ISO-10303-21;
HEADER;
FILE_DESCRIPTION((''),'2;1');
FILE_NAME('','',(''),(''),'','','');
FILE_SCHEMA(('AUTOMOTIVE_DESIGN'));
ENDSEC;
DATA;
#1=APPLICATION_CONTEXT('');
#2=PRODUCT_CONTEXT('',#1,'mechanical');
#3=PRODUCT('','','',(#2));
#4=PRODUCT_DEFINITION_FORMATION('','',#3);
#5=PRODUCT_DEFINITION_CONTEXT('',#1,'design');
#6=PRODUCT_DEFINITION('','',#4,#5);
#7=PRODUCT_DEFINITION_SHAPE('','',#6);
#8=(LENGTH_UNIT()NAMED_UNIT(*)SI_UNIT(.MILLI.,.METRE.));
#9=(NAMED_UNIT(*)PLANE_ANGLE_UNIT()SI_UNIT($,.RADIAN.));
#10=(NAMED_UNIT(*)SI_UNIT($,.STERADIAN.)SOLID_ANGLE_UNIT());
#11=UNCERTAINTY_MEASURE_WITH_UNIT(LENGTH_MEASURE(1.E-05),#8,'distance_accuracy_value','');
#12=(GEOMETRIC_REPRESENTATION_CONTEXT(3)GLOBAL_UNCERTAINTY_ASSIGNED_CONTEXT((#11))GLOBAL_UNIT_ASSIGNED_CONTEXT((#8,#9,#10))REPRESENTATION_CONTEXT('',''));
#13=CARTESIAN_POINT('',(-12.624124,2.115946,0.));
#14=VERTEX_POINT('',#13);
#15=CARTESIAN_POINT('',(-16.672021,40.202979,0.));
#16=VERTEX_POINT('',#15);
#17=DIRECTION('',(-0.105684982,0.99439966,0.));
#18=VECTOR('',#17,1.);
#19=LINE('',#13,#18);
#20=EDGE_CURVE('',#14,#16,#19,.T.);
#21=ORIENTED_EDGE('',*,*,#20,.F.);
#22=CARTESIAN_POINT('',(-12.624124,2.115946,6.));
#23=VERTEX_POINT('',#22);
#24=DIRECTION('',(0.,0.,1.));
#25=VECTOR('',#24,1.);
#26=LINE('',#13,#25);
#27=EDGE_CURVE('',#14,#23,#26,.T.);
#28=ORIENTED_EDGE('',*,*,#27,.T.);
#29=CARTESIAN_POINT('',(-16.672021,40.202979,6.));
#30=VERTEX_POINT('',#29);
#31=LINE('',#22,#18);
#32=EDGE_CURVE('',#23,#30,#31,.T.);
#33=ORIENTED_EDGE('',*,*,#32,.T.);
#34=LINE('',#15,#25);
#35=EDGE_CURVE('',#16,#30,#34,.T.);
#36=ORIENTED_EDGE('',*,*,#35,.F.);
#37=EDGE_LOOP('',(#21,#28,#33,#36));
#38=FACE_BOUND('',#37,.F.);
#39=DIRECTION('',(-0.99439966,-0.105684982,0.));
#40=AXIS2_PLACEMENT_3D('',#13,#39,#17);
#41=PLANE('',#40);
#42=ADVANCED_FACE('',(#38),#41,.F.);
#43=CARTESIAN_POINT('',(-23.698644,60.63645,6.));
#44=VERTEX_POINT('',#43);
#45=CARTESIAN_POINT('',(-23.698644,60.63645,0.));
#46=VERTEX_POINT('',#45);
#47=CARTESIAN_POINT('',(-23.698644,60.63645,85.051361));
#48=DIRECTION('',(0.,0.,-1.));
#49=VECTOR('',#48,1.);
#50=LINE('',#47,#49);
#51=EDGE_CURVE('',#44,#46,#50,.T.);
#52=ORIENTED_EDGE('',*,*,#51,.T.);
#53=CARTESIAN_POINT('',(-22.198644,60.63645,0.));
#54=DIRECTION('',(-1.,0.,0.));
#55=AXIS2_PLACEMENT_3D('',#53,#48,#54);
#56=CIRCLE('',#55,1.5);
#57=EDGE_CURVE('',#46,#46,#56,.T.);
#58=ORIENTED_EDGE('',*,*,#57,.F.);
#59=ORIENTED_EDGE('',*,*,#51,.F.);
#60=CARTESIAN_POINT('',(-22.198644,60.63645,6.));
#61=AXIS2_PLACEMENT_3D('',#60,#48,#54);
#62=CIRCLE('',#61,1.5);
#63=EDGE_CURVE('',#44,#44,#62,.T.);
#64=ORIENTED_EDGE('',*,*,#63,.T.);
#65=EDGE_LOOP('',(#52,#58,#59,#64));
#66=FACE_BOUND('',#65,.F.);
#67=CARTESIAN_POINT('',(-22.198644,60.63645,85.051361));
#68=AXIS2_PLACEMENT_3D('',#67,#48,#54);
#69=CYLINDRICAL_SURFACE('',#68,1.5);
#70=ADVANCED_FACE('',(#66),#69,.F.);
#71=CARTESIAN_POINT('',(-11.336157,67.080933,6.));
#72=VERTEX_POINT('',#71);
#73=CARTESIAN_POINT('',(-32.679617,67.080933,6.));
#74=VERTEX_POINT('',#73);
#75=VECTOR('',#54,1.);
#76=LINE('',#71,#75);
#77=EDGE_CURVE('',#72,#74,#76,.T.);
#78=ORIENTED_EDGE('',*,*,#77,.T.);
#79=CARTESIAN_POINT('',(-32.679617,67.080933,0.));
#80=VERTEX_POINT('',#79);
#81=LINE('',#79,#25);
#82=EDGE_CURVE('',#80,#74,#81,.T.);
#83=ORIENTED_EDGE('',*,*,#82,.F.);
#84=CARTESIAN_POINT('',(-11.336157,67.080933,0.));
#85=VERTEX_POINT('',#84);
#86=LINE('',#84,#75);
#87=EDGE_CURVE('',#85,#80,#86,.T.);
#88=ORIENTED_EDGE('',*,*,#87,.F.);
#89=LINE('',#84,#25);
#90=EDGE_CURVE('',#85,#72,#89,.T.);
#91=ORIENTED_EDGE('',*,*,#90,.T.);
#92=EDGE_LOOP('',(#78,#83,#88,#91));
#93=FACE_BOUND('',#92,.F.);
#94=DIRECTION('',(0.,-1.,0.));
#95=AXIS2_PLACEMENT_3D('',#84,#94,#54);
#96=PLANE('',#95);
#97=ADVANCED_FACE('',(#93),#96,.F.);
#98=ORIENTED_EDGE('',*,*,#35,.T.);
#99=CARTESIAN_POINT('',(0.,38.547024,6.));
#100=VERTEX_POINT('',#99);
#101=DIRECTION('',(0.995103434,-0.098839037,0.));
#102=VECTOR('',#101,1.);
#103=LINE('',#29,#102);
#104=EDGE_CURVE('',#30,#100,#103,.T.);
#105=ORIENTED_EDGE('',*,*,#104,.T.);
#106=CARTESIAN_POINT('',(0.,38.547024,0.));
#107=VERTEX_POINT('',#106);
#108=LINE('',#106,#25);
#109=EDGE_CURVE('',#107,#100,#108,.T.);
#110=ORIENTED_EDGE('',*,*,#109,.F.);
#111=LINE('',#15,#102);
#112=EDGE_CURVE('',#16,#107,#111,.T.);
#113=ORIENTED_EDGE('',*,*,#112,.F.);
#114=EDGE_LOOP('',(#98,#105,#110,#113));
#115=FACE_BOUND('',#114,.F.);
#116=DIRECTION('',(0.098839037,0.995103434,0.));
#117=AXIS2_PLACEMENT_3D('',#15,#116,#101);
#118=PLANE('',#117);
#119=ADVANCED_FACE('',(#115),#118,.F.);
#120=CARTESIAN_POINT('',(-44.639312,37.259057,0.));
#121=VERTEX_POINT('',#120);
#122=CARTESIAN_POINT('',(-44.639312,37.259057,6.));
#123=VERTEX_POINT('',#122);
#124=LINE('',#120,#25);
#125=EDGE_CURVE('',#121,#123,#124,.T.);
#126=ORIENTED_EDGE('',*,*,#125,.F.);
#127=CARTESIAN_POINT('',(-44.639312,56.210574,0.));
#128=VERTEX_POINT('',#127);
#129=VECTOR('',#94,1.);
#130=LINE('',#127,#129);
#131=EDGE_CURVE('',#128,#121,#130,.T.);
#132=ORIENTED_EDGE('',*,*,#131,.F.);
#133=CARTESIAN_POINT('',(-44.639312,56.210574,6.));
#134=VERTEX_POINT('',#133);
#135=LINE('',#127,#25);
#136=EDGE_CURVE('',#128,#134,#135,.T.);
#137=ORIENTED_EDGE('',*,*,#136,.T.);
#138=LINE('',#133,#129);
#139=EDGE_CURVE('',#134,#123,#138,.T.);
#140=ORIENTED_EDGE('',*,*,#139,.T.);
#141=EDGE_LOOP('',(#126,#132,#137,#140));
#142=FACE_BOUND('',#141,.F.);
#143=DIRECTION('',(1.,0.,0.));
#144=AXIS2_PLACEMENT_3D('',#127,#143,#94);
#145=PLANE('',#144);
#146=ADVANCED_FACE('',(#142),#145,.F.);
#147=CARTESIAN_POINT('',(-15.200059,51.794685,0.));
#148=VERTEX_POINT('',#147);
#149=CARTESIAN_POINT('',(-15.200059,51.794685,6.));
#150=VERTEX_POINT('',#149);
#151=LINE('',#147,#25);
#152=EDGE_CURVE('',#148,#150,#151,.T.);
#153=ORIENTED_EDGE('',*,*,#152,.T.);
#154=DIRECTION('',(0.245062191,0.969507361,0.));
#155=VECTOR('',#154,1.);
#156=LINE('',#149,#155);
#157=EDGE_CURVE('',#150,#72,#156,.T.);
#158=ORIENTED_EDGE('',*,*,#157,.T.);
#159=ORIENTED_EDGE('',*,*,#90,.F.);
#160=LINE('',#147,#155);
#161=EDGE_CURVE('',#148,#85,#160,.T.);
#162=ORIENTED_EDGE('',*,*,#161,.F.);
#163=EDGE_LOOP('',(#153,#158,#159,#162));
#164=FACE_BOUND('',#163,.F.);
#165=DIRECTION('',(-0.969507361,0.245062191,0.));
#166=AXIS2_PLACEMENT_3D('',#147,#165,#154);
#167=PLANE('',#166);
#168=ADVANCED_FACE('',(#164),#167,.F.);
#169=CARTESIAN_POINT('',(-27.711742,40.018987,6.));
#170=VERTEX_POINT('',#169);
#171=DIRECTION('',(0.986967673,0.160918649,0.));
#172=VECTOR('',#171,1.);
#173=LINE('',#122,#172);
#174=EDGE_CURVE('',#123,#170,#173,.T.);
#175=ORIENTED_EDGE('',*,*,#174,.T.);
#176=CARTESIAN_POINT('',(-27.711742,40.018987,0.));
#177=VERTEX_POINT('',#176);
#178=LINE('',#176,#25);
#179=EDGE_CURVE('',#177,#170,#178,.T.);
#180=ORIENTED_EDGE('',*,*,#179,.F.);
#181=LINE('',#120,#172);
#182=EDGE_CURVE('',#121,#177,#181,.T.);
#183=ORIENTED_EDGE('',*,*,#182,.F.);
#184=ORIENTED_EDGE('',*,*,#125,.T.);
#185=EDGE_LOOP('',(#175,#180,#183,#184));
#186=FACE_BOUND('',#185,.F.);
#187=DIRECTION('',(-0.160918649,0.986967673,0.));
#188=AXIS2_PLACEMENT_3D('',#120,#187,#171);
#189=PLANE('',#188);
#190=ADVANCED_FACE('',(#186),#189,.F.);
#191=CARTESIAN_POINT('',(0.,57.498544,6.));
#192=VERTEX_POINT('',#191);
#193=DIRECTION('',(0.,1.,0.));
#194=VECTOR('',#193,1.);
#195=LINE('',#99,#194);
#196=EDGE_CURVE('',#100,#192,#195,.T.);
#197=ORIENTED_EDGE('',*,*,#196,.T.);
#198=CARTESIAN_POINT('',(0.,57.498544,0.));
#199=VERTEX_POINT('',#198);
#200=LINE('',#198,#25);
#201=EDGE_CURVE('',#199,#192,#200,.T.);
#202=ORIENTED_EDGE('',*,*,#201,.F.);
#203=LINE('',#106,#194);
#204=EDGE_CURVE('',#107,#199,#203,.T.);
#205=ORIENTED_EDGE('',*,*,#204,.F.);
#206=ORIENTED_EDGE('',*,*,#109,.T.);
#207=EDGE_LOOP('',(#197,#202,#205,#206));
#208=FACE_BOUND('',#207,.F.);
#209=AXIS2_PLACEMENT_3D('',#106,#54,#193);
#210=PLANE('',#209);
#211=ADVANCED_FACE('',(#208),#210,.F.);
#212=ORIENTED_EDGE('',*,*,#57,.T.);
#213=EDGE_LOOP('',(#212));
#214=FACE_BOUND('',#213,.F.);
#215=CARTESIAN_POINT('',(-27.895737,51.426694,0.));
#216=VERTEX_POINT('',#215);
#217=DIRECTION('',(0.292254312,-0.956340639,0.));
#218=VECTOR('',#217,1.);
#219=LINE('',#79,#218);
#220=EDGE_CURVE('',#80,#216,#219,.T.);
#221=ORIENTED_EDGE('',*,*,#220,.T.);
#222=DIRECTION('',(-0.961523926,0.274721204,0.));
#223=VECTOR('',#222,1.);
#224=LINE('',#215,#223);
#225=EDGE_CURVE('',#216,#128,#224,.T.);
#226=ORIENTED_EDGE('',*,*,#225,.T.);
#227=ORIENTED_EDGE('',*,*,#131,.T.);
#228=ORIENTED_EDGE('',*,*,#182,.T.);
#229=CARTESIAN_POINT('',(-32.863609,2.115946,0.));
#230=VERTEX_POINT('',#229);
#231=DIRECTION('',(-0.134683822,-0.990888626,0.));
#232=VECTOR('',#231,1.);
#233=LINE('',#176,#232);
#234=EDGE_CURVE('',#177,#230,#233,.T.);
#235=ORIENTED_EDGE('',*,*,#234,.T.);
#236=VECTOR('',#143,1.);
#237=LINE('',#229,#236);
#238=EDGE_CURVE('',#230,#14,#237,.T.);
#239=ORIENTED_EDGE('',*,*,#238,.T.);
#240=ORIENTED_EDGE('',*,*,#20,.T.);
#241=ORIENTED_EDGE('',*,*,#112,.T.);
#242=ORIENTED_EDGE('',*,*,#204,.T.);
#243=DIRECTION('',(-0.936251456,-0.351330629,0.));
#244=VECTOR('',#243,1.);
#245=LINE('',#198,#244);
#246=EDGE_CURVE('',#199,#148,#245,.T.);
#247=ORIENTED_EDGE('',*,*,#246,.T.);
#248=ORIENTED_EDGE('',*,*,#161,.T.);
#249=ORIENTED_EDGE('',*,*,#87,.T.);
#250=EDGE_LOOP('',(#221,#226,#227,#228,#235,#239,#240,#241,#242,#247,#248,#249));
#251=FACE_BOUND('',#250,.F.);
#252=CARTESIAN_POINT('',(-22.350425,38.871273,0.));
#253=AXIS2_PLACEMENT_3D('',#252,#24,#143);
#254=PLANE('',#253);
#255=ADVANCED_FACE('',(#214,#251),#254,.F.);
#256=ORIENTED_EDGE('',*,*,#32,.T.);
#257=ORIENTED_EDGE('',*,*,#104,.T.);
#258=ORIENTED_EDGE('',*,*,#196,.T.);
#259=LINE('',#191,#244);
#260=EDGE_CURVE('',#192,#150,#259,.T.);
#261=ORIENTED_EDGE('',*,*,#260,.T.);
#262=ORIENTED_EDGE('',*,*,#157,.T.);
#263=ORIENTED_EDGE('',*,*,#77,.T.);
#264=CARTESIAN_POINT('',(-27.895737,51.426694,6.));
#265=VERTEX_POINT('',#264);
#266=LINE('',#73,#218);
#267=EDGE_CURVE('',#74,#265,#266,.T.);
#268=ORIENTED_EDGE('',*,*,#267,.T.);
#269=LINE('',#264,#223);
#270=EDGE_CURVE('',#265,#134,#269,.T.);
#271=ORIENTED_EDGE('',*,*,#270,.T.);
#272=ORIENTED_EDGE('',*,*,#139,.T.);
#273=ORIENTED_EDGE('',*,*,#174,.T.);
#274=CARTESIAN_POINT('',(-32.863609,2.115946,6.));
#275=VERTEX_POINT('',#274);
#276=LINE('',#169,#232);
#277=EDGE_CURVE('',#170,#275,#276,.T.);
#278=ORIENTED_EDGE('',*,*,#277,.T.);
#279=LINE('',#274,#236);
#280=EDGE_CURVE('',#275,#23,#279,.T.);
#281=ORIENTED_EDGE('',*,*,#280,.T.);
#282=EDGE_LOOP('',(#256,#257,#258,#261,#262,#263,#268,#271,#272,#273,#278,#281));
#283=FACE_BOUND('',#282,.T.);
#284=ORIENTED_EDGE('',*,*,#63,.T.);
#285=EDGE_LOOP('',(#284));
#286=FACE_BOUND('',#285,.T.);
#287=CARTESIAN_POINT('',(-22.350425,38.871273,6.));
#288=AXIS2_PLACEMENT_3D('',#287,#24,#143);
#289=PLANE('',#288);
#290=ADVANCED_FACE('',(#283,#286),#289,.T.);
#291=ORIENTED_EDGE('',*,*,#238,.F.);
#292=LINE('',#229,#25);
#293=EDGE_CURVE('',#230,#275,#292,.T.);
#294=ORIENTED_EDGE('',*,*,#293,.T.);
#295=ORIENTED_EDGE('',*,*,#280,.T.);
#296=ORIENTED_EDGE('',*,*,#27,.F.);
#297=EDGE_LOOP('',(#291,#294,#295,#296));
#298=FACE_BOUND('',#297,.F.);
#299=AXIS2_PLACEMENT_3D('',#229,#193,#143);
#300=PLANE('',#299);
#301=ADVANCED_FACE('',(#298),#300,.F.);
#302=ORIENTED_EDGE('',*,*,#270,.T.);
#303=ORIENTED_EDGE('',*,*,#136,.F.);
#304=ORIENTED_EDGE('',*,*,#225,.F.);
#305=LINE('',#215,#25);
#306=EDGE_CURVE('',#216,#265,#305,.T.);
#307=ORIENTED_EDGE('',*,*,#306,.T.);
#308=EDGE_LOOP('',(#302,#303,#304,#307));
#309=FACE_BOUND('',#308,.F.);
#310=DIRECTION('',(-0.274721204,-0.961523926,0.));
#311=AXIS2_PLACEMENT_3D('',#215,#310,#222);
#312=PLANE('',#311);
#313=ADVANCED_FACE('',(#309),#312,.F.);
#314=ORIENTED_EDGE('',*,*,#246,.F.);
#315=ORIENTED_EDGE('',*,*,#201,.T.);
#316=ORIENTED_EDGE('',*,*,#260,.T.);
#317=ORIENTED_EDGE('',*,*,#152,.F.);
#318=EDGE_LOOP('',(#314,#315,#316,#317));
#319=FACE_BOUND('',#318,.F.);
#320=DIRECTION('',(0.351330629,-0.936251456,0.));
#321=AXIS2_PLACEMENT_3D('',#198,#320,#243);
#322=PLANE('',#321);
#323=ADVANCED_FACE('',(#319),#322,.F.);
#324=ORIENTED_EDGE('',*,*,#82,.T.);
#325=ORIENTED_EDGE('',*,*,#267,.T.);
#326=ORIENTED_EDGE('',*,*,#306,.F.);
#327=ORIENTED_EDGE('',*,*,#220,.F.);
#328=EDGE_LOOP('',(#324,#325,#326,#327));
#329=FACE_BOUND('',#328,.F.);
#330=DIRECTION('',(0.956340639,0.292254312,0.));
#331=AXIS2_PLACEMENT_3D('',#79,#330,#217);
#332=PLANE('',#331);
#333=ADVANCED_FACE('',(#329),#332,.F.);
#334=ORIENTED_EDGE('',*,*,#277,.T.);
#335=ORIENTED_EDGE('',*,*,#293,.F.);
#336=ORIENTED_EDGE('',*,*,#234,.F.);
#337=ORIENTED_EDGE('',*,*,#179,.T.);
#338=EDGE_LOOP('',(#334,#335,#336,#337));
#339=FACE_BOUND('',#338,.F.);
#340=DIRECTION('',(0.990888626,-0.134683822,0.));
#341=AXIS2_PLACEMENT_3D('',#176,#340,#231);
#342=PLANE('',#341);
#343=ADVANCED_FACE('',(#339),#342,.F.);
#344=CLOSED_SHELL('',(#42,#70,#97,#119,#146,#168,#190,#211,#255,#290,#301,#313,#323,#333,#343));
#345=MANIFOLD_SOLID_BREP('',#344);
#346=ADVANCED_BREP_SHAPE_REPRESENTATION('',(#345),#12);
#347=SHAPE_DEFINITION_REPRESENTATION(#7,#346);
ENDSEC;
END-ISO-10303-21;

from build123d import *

# Parameters (mm, degrees)
F1_DEPTH = 6
F3_D     = 3


with BuildPart() as f1:
    # F0 (on Top) → F1 (new body)
    with BuildSketch(Plane.XY):
        Polygon((-44.639312, 37.259057), (-27.711742, 40.018987), (-32.863609, 2.115946), (-12.624124, 2.115946), (-16.672021, 40.202979), (0, 38.547024), (0, 57.498544), (-15.200059, 51.794685), (-11.336157, 67.080933), (-32.679617, 67.080933), (-27.895737, 51.426694), (-44.639312, 56.210574), align=None)
    extrude(amount=F1_DEPTH)

    # F3 (through all)
    with Locations(Plane.XY.offset(6)):
        with Locations((-22.198644, 60.63645)):
            Hole(F3_D / 2)


solid = f1.part
